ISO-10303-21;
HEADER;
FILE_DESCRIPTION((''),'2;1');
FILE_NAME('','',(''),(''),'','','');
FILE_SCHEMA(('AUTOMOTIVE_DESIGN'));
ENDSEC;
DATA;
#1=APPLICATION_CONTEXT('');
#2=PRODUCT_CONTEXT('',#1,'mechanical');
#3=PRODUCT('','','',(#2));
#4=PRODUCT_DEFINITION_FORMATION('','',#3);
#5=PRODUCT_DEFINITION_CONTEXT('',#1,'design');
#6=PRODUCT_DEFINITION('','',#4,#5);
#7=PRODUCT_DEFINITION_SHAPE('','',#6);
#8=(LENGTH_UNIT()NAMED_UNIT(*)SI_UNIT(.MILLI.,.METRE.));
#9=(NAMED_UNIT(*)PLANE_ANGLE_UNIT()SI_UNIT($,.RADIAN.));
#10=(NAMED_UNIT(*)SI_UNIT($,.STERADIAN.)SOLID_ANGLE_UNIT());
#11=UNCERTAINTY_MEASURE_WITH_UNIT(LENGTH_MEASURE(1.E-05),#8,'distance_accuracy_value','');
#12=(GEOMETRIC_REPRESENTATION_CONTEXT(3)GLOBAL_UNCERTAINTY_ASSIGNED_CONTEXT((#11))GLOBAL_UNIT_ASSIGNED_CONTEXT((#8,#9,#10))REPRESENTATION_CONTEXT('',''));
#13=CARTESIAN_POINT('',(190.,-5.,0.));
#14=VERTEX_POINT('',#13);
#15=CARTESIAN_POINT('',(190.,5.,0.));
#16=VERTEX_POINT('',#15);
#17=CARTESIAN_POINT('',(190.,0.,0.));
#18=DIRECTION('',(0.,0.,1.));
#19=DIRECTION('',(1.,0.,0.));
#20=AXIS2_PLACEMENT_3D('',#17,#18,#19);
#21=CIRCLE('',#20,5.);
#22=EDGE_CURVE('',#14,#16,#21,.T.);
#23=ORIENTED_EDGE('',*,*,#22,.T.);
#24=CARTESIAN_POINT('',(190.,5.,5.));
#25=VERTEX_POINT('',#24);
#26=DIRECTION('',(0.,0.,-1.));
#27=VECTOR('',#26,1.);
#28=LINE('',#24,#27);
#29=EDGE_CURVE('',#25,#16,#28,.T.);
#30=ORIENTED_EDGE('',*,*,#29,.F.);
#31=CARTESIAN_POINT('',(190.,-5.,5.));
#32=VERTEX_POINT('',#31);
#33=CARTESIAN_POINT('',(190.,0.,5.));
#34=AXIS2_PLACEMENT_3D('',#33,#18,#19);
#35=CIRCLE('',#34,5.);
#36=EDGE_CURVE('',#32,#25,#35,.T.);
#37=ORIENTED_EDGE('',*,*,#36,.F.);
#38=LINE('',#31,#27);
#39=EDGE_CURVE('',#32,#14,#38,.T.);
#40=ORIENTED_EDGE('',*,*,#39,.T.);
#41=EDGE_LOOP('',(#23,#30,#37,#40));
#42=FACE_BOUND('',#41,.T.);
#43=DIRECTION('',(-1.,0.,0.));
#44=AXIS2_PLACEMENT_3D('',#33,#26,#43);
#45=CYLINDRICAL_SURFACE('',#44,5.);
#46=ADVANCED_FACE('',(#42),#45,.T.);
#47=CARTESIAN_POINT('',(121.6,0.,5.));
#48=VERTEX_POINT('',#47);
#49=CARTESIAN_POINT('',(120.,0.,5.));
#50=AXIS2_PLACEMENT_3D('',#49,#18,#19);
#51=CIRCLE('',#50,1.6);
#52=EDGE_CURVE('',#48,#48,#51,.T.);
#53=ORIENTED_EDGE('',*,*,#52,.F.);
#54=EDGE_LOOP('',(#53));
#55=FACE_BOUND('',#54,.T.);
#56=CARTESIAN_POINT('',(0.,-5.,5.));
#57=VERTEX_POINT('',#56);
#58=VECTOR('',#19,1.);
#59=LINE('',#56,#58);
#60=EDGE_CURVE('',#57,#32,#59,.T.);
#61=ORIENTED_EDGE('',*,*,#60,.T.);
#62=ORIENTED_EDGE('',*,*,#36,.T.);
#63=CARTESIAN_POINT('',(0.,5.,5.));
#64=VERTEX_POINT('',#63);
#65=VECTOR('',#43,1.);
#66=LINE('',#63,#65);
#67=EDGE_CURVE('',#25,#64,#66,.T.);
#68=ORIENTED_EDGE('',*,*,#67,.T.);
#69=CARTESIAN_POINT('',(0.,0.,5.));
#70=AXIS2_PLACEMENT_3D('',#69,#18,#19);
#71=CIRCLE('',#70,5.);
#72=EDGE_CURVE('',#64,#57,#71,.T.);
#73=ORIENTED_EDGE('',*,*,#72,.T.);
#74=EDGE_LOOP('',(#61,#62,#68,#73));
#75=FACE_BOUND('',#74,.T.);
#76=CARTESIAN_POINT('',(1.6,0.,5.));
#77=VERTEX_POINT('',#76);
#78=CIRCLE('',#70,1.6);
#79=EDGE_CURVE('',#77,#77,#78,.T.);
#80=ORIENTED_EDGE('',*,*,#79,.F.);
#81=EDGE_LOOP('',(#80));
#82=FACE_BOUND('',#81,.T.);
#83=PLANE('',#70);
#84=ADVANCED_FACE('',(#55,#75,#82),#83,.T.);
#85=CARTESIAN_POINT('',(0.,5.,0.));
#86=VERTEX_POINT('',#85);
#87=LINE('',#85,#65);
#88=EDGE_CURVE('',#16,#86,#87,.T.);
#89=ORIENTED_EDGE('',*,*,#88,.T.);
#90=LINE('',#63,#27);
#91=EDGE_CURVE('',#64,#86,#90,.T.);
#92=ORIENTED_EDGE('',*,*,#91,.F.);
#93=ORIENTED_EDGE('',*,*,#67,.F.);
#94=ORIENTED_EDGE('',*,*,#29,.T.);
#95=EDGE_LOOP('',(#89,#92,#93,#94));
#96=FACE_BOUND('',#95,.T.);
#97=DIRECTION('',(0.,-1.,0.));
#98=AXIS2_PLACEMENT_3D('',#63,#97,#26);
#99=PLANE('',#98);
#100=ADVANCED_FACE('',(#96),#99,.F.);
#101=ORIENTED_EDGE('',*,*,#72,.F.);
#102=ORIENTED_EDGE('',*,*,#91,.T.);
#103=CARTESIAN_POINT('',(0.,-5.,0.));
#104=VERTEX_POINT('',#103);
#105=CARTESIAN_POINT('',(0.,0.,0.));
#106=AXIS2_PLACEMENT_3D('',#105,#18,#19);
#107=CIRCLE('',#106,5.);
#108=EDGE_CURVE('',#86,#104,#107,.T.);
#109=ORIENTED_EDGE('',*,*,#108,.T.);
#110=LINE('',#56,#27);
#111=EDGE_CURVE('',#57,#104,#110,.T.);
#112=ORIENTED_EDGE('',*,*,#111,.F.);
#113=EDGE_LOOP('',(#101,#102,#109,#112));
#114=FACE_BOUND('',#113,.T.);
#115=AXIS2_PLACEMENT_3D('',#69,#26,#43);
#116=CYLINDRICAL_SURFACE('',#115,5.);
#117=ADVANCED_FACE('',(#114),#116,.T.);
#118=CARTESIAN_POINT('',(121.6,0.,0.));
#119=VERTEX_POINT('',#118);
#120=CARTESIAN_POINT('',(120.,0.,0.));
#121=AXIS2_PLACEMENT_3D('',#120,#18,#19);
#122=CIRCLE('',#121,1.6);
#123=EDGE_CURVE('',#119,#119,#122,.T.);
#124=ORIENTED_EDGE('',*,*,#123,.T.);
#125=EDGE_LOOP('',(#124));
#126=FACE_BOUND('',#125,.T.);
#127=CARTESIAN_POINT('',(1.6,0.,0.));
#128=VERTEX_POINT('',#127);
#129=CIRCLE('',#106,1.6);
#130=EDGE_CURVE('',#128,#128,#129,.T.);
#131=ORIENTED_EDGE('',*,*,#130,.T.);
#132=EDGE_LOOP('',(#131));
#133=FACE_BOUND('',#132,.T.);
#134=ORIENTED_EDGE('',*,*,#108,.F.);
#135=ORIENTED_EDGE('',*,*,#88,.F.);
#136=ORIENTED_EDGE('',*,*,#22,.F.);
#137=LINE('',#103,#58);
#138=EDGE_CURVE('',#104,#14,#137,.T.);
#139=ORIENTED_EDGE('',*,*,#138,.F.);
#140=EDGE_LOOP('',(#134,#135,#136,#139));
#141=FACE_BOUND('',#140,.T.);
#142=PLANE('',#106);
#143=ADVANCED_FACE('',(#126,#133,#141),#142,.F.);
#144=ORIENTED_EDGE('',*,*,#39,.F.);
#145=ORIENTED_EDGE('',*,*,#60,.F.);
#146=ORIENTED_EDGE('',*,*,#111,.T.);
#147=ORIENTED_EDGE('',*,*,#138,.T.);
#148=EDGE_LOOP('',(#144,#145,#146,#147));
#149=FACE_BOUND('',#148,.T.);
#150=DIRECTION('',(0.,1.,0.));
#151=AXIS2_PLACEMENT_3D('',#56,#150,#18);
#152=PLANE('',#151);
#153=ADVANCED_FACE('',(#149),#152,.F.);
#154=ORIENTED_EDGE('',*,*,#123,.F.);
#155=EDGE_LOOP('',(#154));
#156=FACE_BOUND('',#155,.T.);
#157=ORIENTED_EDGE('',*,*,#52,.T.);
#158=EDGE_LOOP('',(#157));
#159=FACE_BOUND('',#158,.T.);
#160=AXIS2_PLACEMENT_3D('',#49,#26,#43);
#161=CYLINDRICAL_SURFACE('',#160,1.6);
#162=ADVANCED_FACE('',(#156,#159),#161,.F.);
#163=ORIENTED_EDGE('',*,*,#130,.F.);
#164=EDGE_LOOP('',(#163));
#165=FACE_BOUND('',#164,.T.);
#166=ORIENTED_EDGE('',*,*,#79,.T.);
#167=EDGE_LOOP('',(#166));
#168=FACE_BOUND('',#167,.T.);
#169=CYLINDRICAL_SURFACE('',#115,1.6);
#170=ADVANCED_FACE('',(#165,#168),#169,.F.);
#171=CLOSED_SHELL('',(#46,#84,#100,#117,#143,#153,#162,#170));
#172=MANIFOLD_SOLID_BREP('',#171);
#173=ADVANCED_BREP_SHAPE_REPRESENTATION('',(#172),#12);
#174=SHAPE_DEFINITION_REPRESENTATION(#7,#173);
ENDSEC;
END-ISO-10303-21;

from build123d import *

# Parameters (mm, degrees)
SKETCH_1_R      = 1.6
EXTRUDE_1_DEPTH = 5


with BuildPart() as part:
    # 草图1 → 凸台-拉伸1 (new body)
    with BuildSketch(Plane.XY):
        with BuildLine():
            Line((0, 5), (190, 5))
            ThreePointArc((190, 5), (195, 0), (190, -5))
            Line((190, -5), (0, -5))
            ThreePointArc((0, -5), (-5, 0), (0, 5))
        make_face()
        with Locations((120, 0)):
            Circle(SKETCH_1_R, mode=Mode.SUBTRACT)
        Circle(SKETCH_1_R, mode=Mode.SUBTRACT)
    extrude(amount=EXTRUDE_1_DEPTH)


solid = part.part
